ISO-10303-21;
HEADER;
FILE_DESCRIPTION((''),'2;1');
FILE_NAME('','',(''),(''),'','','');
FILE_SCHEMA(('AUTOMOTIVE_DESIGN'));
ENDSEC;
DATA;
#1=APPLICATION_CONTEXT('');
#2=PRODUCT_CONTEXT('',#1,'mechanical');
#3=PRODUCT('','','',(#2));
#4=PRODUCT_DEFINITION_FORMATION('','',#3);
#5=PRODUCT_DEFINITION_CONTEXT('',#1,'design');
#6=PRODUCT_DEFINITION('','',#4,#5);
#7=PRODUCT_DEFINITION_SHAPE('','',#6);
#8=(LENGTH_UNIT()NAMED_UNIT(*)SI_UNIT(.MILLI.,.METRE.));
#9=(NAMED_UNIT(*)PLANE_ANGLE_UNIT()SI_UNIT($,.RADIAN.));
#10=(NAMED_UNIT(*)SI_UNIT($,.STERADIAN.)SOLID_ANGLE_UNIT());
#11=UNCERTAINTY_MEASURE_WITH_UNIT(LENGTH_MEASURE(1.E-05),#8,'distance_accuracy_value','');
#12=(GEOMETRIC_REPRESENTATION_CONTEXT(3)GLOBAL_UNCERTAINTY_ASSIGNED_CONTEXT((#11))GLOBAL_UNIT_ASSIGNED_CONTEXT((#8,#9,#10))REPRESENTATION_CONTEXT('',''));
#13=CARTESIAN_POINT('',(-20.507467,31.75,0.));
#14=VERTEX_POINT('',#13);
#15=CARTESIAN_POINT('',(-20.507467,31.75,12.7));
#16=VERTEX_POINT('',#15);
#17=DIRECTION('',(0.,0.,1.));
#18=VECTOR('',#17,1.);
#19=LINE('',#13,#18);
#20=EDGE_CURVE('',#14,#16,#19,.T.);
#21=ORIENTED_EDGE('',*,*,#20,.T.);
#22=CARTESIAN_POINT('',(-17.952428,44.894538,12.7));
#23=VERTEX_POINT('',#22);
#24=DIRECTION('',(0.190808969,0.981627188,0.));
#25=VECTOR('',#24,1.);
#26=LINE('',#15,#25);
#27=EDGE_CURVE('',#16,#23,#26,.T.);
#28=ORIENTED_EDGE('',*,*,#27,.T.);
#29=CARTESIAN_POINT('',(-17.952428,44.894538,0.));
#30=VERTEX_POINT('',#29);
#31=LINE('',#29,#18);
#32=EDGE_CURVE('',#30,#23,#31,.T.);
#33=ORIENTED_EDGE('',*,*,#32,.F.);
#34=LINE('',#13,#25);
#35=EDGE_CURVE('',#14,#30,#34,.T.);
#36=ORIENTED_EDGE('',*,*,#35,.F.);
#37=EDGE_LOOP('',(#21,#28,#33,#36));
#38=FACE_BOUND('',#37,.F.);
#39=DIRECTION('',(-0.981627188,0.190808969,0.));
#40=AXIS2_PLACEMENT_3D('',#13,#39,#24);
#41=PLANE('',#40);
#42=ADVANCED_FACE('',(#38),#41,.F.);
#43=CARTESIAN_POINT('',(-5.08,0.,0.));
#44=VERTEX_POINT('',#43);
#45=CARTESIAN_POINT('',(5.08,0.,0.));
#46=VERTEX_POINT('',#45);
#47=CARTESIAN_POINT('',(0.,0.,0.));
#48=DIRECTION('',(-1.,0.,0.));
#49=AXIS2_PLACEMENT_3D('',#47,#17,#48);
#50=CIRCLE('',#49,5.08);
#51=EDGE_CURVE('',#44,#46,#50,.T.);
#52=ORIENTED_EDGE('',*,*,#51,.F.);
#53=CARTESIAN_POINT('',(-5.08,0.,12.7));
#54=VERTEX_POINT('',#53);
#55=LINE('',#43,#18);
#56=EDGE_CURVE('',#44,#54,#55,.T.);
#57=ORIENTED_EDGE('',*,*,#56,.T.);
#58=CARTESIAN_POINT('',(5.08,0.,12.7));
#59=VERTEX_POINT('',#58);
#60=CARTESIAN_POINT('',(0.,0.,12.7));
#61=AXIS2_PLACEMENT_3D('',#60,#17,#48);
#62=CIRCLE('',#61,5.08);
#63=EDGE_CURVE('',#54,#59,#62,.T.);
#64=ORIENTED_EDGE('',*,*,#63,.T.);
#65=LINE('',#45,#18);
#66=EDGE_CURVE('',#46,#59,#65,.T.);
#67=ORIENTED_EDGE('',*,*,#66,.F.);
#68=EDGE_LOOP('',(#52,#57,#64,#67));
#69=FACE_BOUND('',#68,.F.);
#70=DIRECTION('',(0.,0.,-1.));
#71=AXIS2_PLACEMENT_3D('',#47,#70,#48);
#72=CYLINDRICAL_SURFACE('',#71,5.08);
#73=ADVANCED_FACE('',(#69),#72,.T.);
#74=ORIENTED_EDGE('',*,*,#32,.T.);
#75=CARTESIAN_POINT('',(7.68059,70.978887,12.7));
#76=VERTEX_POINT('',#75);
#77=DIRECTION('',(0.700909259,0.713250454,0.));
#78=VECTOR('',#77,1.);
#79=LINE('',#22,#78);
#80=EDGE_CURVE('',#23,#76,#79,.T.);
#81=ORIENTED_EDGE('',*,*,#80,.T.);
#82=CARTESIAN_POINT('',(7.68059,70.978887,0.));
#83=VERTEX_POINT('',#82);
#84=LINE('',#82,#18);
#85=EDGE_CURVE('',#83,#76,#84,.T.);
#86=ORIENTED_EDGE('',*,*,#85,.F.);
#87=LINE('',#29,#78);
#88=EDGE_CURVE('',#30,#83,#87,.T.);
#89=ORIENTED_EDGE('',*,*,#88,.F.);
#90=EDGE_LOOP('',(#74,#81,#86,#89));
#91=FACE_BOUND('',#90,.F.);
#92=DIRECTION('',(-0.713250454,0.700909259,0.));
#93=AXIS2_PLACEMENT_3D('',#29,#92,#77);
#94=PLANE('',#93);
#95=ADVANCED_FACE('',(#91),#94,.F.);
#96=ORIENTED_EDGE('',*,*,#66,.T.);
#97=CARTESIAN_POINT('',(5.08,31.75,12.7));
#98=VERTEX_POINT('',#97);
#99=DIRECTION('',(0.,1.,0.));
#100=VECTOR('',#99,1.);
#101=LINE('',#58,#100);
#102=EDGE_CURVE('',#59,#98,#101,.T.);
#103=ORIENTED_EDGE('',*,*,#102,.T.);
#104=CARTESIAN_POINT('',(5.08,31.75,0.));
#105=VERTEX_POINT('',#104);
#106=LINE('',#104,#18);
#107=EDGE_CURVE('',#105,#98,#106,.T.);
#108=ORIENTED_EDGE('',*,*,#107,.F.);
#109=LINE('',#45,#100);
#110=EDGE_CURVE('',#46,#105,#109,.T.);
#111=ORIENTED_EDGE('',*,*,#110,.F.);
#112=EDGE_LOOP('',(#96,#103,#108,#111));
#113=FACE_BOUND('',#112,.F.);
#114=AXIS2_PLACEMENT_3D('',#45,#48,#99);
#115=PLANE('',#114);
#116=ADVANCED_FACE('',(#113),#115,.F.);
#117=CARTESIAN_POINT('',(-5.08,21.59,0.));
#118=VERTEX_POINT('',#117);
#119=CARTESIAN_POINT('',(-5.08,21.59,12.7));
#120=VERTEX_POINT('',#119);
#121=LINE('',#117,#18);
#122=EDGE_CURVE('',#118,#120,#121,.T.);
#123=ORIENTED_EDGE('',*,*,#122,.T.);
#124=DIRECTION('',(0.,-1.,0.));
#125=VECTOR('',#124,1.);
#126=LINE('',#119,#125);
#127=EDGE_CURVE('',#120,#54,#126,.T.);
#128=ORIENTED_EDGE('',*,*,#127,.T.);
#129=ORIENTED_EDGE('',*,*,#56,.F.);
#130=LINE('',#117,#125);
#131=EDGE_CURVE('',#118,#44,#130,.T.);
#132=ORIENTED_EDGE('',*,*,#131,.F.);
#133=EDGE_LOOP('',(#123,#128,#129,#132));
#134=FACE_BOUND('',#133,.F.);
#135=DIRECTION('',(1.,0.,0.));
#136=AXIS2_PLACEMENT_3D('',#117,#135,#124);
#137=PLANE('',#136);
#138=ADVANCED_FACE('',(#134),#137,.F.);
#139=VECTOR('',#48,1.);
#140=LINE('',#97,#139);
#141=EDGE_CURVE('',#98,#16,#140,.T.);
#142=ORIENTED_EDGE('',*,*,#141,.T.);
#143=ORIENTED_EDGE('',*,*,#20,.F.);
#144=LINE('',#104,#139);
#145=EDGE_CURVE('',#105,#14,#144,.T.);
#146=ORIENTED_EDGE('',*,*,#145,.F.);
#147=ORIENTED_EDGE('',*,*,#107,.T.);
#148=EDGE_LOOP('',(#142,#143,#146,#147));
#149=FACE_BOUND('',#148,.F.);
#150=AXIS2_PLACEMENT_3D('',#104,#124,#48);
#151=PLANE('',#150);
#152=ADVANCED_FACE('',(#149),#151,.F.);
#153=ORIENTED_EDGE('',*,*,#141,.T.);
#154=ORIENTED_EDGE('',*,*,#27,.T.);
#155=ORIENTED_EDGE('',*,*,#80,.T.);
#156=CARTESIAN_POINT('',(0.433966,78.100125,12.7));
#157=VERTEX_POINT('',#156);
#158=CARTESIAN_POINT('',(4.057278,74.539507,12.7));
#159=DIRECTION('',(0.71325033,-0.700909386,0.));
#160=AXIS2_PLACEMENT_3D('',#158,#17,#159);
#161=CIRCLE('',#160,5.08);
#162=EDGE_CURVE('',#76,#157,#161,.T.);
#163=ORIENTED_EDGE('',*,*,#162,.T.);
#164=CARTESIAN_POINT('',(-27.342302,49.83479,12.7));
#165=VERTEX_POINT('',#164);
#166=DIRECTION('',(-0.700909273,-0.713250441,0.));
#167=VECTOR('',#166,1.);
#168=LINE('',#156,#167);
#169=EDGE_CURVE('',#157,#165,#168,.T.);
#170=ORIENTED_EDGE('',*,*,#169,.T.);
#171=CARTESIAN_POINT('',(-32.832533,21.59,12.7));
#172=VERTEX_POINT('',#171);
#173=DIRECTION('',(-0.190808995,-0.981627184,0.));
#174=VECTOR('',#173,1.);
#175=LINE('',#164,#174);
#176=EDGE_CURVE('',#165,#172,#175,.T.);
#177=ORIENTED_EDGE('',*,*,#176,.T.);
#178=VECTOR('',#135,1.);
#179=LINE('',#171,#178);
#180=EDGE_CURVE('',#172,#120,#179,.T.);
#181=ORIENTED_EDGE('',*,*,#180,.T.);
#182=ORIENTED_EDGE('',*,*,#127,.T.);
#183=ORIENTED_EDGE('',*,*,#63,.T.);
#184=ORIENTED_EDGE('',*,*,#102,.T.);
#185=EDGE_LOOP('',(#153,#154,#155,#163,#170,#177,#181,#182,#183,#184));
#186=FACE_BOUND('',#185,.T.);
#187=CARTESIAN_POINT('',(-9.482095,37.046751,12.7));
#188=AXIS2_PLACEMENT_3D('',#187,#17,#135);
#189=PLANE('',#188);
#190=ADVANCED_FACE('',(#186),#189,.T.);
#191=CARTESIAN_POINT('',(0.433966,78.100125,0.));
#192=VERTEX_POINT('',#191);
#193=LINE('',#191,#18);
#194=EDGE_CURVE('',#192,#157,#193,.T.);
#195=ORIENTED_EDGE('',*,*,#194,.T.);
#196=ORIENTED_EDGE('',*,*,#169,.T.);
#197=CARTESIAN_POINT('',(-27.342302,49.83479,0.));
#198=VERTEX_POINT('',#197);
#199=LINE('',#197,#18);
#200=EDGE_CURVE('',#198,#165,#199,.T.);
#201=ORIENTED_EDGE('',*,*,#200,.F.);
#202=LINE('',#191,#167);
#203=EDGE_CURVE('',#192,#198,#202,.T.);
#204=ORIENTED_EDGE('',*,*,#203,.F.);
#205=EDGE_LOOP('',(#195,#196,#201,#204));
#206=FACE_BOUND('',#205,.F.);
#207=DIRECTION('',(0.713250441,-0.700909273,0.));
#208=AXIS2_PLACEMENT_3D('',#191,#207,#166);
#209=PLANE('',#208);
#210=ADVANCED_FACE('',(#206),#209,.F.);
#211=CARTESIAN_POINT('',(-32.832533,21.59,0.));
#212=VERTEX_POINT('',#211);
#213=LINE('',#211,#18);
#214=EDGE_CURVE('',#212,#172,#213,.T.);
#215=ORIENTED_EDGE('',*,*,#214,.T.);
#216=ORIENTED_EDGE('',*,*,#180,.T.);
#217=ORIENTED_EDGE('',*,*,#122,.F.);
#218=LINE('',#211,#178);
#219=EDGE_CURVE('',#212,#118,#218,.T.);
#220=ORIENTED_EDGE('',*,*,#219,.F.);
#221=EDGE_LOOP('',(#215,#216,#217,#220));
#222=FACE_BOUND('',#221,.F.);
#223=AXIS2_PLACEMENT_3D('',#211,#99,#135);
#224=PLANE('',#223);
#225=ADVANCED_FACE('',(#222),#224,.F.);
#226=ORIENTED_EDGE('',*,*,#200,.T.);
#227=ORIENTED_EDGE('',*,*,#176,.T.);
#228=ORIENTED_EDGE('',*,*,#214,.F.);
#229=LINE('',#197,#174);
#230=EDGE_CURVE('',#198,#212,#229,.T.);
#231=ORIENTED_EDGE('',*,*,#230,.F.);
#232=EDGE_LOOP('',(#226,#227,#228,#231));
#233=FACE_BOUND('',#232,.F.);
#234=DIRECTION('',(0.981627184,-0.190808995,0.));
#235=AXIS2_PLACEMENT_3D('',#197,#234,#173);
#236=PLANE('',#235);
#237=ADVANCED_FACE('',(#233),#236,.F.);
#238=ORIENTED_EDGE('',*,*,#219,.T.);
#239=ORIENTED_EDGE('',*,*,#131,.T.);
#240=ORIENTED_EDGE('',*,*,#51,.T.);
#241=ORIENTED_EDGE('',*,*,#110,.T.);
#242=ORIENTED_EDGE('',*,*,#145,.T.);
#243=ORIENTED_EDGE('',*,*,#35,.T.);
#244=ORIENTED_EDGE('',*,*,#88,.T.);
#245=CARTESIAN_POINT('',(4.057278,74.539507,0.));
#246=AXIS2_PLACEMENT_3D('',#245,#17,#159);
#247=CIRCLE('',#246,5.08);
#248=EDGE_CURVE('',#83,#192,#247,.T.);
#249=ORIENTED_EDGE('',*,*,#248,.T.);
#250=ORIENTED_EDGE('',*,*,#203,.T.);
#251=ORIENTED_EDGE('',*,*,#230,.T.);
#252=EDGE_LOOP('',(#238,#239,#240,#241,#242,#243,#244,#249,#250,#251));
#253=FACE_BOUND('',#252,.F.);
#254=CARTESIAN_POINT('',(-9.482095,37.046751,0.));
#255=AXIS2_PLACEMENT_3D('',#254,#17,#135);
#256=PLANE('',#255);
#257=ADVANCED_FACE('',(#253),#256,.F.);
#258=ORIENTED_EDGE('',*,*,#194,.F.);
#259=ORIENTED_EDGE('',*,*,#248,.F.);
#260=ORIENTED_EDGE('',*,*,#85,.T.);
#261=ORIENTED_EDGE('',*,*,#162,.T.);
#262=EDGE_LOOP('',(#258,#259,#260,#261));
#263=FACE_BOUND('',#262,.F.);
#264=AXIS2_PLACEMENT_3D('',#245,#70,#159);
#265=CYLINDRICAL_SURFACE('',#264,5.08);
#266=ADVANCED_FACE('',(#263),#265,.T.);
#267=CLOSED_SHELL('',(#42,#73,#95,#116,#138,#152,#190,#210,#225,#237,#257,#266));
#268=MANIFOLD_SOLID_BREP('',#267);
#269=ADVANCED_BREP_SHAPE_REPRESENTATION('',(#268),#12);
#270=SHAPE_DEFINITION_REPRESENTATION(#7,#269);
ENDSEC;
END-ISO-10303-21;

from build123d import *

# Parameters (mm, degrees)
F2_DEPTH = 12.7


with BuildPart() as f2:
    # F0 (on Top) → F2 (new body, through all)
    with BuildSketch(Plane.XY):
        with BuildLine():
            Line((-20.507467, 31.75), (-17.952428, 44.894538))
            Line((-17.952428, 44.894538), (7.68059, 70.978887))
            ThreePointArc((7.68059, 70.978887), (7.617897, 78.162819), (0.433966, 78.100125))
            Line((0.433966, 78.100125), (-27.342302, 49.83479))
            Line((-27.342302, 49.83479), (-32.832533, 21.59))
            Line((-32.832533, 21.59), (-5.08, 21.59))
            Line((-5.08, 21.59), (-5.08, 0))
            ThreePointArc((-5.08, 0), (0, -5.08), (5.08, 0))
            Line((5.08, 0), (5.08, 31.75))
            Line((5.08, 31.75), (-20.507467, 31.75))
        make_face()
    extrude(amount=F2_DEPTH)


solid = f2.part
